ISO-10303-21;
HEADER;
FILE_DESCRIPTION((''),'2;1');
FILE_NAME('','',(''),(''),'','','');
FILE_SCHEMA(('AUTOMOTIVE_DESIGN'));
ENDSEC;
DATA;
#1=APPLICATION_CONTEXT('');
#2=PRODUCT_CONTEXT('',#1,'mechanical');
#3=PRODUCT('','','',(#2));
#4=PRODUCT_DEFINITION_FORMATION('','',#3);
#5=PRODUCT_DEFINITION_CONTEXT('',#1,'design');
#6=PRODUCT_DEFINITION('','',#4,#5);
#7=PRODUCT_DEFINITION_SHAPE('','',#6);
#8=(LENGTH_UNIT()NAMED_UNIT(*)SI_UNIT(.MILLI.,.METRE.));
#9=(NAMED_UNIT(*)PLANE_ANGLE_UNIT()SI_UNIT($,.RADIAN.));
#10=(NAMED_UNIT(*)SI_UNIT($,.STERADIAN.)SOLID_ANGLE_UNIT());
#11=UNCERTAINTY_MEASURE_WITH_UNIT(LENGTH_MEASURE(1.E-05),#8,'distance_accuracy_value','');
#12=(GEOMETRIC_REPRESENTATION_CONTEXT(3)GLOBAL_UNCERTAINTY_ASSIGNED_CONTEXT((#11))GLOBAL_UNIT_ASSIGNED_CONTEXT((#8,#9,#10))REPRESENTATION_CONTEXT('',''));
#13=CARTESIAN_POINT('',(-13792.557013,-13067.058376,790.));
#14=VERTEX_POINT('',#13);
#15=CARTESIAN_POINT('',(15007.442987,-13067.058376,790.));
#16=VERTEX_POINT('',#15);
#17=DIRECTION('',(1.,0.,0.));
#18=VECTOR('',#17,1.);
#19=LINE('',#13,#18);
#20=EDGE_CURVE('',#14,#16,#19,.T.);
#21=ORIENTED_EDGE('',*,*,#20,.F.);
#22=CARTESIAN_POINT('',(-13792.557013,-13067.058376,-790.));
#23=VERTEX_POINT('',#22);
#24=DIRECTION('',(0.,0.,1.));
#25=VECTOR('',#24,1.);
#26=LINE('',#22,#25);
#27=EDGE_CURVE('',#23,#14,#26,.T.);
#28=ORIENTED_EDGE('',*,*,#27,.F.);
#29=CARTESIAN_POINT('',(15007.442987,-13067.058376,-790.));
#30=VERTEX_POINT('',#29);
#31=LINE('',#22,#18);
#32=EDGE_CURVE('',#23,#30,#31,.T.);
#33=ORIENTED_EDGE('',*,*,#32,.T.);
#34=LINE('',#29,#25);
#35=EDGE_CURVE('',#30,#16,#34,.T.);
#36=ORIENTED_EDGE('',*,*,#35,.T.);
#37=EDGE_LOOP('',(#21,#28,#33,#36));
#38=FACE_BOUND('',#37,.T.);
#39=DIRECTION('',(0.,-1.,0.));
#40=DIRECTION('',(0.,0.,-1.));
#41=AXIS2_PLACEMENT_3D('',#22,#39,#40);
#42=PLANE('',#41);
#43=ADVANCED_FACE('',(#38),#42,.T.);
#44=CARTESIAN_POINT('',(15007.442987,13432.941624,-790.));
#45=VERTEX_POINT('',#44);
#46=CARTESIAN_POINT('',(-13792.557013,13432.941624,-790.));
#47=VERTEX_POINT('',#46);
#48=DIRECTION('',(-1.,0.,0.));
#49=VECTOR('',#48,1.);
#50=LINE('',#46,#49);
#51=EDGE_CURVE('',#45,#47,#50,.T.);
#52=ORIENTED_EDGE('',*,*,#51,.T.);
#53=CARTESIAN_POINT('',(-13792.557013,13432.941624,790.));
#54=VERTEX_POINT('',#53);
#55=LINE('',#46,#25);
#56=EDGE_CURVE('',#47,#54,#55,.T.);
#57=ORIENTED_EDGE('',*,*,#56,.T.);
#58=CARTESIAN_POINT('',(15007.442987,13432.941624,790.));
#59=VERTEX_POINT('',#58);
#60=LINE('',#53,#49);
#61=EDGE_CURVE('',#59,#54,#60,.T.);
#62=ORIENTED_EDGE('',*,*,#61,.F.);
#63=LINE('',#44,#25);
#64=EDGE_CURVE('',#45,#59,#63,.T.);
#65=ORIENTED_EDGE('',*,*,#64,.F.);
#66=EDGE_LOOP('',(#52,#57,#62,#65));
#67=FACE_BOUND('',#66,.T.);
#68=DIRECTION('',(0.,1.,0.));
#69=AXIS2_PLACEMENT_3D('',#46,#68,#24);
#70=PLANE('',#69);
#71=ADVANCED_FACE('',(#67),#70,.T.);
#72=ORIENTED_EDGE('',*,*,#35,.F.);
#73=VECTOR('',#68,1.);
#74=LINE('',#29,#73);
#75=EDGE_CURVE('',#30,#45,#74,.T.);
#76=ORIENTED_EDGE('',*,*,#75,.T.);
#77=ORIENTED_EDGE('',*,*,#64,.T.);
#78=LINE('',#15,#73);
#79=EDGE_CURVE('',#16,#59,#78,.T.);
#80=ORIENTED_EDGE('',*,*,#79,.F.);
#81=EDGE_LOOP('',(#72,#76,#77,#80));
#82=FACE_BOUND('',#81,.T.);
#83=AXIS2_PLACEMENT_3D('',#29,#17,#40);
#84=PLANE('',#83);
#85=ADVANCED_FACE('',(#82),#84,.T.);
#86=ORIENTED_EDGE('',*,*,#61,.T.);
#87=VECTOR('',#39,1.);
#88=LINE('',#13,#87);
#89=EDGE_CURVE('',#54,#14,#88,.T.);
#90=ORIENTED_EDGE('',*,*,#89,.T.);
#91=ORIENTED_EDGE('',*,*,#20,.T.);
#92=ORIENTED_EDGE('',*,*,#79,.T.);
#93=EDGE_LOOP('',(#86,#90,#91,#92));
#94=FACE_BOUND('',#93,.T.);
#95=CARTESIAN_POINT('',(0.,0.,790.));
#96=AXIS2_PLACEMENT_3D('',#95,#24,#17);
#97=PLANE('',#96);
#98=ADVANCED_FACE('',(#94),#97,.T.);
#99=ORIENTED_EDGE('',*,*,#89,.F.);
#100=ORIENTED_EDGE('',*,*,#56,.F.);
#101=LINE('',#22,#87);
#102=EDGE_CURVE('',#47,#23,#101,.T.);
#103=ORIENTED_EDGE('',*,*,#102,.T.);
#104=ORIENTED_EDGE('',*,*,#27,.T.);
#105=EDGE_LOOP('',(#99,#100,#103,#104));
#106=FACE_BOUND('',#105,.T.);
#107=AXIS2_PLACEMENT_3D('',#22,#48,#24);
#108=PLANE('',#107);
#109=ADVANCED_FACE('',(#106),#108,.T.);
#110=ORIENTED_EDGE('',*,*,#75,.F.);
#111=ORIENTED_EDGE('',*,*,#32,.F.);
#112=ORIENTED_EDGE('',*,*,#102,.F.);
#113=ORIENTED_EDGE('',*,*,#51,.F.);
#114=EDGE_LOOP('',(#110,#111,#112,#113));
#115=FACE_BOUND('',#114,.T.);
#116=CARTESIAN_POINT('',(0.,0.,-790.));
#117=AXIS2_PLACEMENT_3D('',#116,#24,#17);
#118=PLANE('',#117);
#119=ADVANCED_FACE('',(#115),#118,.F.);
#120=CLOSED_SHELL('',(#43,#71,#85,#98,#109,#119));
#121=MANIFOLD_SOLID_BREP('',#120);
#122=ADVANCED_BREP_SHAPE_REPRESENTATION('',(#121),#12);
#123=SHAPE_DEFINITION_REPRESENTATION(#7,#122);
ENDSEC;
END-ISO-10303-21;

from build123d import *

# Parameters (mm, degrees)
EXTRUDE_1_DEPTH      = 790
EXTRUDE_1_DEPTH_BACK = 790
SKETCH_1_W           = 28800
SKETCH_1_H           = 26500


with BuildPart() as part:
    # Эскиз1 → Бобышка-Вытянуть1 (new, two sides: drawn at the far end of the back side and taken through both)
    with BuildSketch(Plane.XY.offset(-EXTRUDE_1_DEPTH_BACK)):
        with Locations((607.442987237, 182.941623523)):
            Rectangle(SKETCH_1_W, SKETCH_1_H)
    extrude(amount=EXTRUDE_1_DEPTH + EXTRUDE_1_DEPTH_BACK)


solid = part.part
